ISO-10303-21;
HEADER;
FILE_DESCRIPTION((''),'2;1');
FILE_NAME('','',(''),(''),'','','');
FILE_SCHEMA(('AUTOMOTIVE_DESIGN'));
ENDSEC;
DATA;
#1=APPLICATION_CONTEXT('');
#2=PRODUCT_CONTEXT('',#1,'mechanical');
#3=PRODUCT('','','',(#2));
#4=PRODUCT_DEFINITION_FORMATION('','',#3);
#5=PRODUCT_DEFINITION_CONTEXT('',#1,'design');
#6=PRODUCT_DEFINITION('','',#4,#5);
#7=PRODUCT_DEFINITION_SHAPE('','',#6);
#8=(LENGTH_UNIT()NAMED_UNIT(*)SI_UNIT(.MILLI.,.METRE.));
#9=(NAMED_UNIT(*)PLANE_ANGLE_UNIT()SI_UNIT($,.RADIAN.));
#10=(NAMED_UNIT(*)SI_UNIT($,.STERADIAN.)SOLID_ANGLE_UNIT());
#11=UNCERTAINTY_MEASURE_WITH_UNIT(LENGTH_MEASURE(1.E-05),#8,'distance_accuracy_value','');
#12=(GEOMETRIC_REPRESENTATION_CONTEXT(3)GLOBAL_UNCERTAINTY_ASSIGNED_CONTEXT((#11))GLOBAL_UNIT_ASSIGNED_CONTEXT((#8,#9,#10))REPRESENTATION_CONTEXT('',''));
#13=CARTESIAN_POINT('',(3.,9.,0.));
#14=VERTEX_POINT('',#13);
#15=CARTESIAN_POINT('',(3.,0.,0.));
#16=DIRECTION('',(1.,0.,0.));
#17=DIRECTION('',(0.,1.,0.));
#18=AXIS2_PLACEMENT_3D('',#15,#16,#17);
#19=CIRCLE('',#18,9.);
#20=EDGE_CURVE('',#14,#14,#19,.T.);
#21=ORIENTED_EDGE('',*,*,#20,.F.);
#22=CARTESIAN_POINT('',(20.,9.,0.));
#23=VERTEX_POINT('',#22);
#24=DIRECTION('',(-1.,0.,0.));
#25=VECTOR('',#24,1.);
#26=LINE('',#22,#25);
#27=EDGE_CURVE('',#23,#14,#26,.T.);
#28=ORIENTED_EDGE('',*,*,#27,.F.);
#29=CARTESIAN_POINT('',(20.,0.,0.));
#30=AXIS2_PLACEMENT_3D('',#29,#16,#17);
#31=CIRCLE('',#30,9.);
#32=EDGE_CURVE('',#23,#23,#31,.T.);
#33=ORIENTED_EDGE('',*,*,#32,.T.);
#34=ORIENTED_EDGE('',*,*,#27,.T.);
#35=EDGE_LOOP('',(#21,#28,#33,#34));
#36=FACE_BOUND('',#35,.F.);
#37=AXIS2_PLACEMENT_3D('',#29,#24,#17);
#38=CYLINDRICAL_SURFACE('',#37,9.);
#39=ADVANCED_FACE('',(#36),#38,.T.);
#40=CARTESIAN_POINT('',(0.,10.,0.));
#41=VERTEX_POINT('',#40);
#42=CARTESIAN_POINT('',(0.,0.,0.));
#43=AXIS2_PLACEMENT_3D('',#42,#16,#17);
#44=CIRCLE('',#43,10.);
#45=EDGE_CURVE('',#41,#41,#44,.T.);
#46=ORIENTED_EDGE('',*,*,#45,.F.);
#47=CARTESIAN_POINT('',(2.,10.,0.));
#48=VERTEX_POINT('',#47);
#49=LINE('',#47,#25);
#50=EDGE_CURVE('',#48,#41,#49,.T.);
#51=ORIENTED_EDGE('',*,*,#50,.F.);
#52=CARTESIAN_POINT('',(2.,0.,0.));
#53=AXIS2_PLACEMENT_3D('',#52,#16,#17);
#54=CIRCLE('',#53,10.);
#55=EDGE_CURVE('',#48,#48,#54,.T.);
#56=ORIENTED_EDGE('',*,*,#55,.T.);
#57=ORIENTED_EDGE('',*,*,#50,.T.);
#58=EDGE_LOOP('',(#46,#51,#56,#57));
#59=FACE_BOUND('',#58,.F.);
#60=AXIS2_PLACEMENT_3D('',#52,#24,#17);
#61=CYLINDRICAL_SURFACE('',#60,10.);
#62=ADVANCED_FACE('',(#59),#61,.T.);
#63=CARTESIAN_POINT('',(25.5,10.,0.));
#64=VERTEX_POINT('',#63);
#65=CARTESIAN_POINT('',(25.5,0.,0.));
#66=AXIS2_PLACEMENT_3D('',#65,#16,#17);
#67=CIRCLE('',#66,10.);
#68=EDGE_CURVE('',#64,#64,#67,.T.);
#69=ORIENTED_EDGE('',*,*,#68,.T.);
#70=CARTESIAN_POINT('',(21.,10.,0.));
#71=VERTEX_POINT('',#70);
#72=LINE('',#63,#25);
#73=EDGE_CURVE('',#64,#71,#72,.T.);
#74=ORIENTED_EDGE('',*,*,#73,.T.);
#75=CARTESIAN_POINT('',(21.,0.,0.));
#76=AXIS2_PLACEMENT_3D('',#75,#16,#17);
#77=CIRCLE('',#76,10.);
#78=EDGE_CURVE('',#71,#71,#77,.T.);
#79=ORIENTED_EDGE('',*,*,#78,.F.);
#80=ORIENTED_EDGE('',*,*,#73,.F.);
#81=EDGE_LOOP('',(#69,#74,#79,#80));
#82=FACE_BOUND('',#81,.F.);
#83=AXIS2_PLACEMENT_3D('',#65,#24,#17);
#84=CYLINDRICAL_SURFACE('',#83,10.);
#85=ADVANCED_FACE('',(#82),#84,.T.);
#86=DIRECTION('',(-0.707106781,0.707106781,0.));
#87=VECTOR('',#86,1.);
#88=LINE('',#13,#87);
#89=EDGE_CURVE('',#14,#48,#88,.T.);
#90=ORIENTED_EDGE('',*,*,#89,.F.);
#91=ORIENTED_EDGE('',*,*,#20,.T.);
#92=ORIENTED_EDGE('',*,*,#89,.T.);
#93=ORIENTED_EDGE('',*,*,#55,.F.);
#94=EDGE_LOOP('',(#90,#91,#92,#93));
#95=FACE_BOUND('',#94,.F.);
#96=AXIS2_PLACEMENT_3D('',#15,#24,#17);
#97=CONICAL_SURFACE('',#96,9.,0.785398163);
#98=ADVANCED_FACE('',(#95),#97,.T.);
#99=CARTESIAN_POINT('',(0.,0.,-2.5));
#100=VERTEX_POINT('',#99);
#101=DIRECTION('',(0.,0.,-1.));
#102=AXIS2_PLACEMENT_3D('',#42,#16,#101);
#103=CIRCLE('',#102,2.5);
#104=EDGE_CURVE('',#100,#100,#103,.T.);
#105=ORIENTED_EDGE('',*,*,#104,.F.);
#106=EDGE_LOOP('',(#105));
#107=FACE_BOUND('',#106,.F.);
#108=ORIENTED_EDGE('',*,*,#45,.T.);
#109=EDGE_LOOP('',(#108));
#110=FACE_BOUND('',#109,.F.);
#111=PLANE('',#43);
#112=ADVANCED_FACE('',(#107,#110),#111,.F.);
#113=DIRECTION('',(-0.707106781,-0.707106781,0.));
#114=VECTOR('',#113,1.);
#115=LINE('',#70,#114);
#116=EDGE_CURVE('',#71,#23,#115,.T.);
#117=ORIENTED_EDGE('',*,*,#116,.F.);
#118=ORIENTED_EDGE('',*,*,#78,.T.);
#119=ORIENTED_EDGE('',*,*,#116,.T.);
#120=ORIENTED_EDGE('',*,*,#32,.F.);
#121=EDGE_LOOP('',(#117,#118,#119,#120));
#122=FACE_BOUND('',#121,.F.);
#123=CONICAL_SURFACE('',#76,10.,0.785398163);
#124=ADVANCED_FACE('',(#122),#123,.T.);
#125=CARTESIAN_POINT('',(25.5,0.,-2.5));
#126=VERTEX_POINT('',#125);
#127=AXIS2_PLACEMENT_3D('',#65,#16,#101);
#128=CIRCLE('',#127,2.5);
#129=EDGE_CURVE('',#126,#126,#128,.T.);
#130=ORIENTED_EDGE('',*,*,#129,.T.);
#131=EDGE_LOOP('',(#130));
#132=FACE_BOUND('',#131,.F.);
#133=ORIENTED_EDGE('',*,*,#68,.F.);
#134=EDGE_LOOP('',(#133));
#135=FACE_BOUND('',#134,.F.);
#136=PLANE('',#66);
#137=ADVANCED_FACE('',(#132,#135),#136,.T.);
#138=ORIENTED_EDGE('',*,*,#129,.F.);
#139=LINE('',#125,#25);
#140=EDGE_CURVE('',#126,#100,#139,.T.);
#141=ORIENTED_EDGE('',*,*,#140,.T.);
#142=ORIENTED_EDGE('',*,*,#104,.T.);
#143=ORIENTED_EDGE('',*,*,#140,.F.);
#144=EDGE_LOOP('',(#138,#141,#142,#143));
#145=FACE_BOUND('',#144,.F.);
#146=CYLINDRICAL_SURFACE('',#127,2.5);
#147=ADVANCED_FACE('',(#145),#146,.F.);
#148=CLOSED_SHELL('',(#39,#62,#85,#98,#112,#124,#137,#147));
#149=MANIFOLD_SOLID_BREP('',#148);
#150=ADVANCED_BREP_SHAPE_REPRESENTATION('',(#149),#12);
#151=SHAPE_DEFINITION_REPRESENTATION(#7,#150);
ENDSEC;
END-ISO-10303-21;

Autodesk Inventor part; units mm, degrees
ref_plane "YZ Plane" through (0, 0, 0) normal (1, 0, 0) x (0, 1, 0)
ref_plane "XZ Plane" through (0, 0, 0) normal (0, 1, 0) x (-1, 0, 0)
ref_plane "XY Plane" through (0, 0, 0) normal (0, 0, 1) x (1, 0, 0)
sketch "Sketch1" plane through (0, 0, 0) normal (0, 0, 1) x (1, 0, 0)
  line L0 (0, 0) -> (25.5, 0)
  line L1 (25.5, 0) -> (25.5, 10)
  line L2 (25.5, 10) -> (21, 10)
  line L3 (21, 10) -> (20, 9)
  line L4 (20, 9) -> (3, 9)
  line L5 (3, 9) -> (2, 10)
  line L6 (2, 10) -> (0, 10)
  line L7 (0, 10) -> (0, 0)
  dimension "d0" = 25.5
  dimension "d1" = 9
  dimension "d2" = 17
  dimension "d3" = 1
  dimension "d4" = 2
revolve "Revolution1" add sketch "Sketch1" angle 360 about axis through (0, 0, 0) along (1, 0, 0)
sketch "Sketch2" plane through (25.5, 0, 0) normal (1, 0, 0) x (0, 0, -1)
  circle A0 centre (0, 0) radius 10 projected
  circle A1 centre (0, 0) radius 2.5
  dimension "d6" = 5
extrude "Extrusion1" cut sketch "Sketch2" against normal through all contours A1
properties part number "spool"
